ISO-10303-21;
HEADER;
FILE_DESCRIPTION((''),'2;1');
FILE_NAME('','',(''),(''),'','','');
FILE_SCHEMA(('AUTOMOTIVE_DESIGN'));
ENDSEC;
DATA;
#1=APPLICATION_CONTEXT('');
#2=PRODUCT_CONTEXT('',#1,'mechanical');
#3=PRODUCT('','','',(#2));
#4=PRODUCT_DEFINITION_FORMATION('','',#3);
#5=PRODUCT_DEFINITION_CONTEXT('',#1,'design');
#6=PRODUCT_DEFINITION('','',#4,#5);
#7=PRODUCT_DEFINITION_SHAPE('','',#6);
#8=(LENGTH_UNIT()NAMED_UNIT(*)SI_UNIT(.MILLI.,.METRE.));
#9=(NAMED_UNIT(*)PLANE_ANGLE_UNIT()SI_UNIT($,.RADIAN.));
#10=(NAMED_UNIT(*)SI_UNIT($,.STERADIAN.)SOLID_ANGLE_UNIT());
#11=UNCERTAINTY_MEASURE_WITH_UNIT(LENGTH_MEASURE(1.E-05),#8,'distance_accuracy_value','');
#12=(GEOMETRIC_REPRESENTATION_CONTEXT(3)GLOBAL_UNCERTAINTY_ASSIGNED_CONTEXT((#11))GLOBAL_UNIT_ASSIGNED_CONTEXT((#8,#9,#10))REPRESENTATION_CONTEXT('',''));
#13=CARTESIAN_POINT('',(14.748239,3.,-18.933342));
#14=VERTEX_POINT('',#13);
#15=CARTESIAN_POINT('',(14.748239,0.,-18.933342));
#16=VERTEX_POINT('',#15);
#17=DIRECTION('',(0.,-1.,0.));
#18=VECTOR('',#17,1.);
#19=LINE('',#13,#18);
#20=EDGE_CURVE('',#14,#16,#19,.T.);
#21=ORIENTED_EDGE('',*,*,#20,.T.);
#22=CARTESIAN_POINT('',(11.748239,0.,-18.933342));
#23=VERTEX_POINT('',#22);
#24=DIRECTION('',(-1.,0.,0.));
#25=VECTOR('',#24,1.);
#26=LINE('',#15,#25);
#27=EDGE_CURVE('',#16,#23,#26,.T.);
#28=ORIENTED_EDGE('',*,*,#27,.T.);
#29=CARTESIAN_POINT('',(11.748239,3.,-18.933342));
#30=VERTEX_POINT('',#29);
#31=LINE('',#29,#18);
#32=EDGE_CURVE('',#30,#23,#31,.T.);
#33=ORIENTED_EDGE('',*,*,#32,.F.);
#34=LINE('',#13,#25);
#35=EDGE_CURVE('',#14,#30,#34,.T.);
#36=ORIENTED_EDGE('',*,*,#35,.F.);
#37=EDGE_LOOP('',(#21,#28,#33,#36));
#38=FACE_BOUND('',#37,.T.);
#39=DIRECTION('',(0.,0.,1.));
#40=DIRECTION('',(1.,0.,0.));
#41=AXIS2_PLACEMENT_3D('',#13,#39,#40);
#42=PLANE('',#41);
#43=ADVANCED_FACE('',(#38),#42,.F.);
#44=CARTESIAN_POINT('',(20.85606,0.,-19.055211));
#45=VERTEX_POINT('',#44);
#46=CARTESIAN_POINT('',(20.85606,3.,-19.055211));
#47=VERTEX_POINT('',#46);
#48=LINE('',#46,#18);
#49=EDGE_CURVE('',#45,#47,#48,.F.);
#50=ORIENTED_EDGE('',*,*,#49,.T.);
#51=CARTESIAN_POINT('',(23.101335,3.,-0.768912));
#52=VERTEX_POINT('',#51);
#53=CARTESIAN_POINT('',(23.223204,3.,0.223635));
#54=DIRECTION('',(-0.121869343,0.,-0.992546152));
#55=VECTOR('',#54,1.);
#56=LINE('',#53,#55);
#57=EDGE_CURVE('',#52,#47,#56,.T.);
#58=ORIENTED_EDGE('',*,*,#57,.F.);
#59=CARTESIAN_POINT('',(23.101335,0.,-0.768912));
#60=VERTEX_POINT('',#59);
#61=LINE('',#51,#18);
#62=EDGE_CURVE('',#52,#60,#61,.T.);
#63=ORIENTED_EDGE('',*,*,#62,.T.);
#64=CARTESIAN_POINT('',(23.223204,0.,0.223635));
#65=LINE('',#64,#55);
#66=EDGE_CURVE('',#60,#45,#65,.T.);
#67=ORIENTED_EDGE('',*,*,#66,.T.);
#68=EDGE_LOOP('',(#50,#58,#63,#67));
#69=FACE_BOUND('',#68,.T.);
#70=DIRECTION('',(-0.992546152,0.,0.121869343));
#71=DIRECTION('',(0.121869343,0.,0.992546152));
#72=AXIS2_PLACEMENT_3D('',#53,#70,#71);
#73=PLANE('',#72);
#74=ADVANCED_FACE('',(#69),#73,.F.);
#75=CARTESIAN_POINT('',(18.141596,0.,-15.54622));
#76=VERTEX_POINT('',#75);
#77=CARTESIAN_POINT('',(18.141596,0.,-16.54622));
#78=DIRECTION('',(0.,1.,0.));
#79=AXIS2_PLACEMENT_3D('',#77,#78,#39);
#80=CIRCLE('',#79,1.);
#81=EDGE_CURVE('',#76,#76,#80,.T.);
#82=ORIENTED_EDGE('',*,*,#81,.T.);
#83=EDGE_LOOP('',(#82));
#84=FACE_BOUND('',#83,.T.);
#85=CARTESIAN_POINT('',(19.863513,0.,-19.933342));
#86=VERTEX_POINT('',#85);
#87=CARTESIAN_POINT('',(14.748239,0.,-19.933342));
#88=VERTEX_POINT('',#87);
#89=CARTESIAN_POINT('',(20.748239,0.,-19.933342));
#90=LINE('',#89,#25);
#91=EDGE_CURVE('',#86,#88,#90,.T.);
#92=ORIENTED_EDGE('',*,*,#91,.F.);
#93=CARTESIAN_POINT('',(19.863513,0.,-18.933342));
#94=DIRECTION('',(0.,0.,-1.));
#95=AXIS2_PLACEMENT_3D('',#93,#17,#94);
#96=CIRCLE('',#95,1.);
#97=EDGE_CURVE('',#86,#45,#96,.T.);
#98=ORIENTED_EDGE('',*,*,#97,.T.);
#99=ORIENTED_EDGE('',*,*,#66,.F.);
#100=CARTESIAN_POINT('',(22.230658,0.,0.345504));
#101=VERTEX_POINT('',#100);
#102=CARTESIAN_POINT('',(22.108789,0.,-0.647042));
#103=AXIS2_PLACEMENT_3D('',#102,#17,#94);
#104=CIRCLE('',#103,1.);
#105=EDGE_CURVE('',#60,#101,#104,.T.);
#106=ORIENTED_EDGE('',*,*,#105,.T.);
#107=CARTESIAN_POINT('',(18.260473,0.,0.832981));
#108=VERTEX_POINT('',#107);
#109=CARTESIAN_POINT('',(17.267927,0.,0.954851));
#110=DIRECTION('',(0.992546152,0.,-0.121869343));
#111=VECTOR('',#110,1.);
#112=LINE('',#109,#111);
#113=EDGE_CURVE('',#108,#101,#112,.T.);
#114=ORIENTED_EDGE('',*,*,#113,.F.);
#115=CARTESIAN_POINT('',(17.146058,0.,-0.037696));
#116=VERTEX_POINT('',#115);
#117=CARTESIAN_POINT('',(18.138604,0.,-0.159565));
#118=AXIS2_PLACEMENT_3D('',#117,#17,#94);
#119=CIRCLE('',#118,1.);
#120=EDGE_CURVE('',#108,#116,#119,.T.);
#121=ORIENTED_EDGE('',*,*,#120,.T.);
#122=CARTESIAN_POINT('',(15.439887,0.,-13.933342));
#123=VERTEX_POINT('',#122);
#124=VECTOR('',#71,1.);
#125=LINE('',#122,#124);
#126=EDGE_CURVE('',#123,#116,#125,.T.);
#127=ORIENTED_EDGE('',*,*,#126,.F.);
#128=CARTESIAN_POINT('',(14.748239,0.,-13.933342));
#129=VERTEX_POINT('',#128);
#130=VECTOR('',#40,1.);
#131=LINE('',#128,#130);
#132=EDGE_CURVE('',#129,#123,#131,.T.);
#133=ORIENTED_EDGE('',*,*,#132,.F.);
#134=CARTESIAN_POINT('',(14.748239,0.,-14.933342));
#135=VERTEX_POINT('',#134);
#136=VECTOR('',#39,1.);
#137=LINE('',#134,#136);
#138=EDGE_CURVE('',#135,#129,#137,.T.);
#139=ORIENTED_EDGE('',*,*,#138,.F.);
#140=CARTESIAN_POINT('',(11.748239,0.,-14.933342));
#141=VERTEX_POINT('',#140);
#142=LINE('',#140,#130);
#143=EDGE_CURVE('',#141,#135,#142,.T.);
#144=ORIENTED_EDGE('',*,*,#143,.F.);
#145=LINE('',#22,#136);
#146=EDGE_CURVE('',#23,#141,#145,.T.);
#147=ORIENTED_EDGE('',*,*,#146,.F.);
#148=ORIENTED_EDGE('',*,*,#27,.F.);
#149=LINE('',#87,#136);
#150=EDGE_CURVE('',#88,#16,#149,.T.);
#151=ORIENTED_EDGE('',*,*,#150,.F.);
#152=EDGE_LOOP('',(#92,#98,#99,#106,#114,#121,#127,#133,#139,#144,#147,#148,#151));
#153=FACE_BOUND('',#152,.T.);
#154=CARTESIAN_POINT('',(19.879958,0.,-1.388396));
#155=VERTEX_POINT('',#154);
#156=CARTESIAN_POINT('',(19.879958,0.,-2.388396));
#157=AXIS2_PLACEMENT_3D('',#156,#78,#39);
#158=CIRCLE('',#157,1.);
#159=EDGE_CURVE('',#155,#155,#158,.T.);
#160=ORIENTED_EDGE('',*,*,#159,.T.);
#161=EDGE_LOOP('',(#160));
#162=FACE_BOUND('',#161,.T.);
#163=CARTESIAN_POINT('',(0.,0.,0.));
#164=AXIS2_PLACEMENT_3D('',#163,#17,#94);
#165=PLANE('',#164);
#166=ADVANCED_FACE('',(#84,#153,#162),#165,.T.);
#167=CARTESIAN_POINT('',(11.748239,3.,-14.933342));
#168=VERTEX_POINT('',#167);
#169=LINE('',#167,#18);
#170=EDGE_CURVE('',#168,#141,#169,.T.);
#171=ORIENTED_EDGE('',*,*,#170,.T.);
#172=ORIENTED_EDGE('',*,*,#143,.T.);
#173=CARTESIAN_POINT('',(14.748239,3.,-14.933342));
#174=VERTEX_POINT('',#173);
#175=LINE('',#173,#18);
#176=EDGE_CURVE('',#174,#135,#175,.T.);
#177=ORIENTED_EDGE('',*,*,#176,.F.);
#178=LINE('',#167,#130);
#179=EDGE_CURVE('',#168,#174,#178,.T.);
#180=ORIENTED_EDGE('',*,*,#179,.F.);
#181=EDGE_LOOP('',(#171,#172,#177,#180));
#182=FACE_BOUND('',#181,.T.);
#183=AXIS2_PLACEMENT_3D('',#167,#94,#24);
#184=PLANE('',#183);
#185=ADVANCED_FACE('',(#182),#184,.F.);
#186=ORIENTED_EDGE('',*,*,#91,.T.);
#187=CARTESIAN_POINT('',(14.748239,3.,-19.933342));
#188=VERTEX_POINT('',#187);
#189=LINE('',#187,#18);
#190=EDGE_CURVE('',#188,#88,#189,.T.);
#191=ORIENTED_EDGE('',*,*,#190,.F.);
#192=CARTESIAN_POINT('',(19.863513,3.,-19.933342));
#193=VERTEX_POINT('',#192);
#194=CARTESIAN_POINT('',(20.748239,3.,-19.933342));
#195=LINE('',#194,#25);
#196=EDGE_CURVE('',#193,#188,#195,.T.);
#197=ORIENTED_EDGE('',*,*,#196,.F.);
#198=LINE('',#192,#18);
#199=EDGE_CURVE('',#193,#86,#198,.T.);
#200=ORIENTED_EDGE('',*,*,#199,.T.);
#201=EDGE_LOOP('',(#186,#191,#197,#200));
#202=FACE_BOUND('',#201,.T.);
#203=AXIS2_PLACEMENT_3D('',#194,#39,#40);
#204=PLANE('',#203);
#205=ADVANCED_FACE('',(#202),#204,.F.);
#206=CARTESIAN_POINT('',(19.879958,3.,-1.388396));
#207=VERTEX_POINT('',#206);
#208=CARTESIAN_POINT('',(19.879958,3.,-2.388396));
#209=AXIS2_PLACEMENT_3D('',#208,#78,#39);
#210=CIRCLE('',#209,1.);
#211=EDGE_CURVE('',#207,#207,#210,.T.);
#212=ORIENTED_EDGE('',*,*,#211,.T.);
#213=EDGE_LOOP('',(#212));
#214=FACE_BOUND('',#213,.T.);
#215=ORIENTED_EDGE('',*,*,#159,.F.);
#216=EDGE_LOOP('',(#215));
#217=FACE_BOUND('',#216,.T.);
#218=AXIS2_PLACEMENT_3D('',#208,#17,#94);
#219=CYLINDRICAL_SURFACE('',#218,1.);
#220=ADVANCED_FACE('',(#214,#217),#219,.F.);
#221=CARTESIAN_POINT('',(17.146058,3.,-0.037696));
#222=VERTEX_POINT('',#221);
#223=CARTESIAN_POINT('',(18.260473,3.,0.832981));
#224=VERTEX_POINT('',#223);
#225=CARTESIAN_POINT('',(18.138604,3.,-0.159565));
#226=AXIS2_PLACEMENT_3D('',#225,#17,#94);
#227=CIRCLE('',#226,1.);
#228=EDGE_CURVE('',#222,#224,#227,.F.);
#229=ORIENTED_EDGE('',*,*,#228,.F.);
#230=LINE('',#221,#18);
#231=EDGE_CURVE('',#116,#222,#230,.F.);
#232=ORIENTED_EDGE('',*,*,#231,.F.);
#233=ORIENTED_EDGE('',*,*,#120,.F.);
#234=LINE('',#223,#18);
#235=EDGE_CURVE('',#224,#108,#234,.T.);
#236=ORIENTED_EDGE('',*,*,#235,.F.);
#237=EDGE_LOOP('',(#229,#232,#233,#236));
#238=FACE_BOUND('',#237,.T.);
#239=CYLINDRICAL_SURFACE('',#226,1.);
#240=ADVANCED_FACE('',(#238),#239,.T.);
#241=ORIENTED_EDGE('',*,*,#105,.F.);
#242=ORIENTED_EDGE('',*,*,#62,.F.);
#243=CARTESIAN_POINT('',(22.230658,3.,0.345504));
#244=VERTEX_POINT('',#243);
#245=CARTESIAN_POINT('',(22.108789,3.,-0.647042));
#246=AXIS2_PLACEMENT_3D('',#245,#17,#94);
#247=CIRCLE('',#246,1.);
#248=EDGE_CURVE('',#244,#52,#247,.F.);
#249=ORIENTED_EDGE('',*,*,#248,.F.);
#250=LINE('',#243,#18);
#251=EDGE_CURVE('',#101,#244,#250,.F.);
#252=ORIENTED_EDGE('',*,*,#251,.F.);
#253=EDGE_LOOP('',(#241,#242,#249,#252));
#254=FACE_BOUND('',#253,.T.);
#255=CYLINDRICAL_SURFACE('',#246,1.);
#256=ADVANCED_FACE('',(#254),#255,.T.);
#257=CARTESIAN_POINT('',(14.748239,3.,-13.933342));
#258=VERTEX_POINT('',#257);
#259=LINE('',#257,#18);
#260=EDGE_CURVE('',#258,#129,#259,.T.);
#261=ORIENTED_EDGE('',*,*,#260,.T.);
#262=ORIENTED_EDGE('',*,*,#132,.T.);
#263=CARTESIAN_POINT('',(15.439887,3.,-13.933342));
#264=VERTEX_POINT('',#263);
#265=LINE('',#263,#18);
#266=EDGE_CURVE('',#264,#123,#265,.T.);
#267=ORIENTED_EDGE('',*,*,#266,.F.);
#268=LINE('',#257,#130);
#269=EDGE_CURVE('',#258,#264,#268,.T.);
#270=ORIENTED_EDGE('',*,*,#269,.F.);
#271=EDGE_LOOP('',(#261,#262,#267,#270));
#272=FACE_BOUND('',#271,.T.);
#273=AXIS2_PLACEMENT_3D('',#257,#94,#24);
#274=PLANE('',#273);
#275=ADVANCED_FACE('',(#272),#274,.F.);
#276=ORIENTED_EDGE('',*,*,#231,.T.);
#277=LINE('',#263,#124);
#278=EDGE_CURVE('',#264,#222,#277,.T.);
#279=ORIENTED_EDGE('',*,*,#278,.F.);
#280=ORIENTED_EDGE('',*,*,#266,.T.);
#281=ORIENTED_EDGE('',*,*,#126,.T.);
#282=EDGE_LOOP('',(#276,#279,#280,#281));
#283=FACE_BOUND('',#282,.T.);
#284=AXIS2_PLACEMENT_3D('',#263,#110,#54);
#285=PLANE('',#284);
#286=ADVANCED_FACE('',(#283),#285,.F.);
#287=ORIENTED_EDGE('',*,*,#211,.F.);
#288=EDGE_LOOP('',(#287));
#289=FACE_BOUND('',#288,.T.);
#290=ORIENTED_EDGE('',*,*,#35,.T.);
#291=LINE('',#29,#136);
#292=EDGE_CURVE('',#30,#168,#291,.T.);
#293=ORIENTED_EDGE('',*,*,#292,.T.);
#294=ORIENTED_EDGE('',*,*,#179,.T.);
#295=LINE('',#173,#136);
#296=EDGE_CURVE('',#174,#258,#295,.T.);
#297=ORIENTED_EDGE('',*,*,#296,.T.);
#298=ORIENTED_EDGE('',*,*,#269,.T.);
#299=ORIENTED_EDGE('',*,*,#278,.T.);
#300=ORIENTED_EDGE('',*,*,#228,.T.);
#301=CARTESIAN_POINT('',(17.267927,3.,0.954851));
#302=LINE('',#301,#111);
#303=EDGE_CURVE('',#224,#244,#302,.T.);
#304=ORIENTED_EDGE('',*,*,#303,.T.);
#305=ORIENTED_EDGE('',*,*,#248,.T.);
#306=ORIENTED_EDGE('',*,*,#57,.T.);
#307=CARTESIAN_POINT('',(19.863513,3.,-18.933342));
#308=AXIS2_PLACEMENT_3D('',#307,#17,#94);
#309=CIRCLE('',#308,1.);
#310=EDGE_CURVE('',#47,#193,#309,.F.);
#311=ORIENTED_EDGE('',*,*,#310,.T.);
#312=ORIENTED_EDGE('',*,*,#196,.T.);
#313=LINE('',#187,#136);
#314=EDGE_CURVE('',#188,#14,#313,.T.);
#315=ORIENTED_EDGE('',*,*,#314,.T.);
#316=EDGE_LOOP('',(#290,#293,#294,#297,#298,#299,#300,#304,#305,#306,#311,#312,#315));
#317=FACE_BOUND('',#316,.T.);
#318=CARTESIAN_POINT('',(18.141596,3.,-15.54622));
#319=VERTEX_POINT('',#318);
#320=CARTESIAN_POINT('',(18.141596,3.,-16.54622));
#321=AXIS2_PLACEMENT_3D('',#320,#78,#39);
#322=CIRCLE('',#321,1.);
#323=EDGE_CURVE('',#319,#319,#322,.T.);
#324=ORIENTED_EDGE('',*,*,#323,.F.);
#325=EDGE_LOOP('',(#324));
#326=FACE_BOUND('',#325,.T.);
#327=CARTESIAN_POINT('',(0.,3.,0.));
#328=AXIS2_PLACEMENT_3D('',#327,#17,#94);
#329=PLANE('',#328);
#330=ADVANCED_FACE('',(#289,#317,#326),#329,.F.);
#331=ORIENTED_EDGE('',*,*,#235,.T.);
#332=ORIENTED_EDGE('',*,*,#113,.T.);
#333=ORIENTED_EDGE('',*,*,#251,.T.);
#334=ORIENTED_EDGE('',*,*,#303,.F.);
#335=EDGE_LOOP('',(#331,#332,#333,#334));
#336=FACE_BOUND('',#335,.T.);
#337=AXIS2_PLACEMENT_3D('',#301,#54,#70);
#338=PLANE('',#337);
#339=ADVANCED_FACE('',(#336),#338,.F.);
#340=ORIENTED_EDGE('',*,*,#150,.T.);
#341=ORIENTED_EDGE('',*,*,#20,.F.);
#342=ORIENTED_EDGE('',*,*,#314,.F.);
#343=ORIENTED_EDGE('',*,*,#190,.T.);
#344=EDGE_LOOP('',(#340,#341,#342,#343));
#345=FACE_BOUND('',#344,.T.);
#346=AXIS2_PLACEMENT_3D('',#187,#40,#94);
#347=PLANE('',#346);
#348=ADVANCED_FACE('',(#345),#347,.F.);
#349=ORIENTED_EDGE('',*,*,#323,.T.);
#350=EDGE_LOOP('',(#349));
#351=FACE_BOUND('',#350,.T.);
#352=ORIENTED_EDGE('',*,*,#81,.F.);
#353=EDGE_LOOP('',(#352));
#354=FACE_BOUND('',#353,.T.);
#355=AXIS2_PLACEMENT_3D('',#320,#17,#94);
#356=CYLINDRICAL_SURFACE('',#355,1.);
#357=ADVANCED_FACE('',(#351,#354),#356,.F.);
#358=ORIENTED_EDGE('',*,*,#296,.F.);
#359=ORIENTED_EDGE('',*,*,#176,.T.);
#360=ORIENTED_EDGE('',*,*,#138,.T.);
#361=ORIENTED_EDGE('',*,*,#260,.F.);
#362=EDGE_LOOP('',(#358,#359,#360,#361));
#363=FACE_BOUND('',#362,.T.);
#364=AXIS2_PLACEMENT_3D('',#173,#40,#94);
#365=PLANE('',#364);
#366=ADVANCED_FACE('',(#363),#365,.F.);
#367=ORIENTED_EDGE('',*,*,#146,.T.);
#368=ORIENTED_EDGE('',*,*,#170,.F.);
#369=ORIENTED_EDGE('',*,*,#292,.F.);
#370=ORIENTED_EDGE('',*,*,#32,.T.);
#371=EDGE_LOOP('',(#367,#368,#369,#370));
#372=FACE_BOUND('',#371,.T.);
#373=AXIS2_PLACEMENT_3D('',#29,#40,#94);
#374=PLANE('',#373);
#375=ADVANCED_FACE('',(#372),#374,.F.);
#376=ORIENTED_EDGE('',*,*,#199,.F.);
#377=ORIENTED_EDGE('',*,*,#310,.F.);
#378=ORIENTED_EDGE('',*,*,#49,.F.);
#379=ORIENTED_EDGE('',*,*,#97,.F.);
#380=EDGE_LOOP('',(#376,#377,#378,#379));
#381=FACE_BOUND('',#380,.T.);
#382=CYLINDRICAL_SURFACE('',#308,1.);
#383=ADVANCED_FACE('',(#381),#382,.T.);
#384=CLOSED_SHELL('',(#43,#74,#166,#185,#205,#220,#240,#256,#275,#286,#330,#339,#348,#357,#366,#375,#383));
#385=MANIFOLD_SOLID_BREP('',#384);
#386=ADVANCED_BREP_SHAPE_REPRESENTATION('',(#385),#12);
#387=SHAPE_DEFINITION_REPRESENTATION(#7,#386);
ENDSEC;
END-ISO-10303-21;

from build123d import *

# Parameters (mm, degrees)
SKETCH2_R           = 1
BOSS_EXTRUDE1_DEPTH = 3
FILLET1_R           = 1


with BuildPart() as part:
    # Sketch2 → Boss-Extrude1 (new body)
    with BuildSketch(Plane(origin=(0, 0, 0), x_dir=(1, 0, 0), z_dir=(0, 1, 0))):
        Polygon((20.748238747, 19.933341623), (14.748238747, 19.933341623), (14.748238747, 18.933341623), (11.748238747, 18.933341623), (11.748238747, 14.933341623), (14.748238747, 14.933341623), (14.748238747, 13.933341623), (15.43988716, 13.933341623), (17.267927311, -0.954850651), (23.22320422, -0.223634591), align=None)
        with Locations(Location((18.141595519, 16.546219938, 0), (0, 0, 270))):
            Circle(SKETCH2_R, mode=Mode.SUBTRACT)
        with Locations(Location((19.879957735, 2.388395834, 0), (0, 0, 270))):
            Circle(SKETCH2_R, mode=Mode.SUBTRACT)
    extrude(amount=BOSS_EXTRUDE1_DEPTH)

    # Fillet1
    fillet1_edges = [part.edges().sort_by_distance(p)[0] for p in [
        (20.748238747, 1.5, -19.933341623),
        (23.22320422, 1.5, 0.223634591),
        (17.267927311, 1.5, 0.954850651),
    ]]
    fillet(fillet1_edges, radius=FILLET1_R)


solid = part.part
